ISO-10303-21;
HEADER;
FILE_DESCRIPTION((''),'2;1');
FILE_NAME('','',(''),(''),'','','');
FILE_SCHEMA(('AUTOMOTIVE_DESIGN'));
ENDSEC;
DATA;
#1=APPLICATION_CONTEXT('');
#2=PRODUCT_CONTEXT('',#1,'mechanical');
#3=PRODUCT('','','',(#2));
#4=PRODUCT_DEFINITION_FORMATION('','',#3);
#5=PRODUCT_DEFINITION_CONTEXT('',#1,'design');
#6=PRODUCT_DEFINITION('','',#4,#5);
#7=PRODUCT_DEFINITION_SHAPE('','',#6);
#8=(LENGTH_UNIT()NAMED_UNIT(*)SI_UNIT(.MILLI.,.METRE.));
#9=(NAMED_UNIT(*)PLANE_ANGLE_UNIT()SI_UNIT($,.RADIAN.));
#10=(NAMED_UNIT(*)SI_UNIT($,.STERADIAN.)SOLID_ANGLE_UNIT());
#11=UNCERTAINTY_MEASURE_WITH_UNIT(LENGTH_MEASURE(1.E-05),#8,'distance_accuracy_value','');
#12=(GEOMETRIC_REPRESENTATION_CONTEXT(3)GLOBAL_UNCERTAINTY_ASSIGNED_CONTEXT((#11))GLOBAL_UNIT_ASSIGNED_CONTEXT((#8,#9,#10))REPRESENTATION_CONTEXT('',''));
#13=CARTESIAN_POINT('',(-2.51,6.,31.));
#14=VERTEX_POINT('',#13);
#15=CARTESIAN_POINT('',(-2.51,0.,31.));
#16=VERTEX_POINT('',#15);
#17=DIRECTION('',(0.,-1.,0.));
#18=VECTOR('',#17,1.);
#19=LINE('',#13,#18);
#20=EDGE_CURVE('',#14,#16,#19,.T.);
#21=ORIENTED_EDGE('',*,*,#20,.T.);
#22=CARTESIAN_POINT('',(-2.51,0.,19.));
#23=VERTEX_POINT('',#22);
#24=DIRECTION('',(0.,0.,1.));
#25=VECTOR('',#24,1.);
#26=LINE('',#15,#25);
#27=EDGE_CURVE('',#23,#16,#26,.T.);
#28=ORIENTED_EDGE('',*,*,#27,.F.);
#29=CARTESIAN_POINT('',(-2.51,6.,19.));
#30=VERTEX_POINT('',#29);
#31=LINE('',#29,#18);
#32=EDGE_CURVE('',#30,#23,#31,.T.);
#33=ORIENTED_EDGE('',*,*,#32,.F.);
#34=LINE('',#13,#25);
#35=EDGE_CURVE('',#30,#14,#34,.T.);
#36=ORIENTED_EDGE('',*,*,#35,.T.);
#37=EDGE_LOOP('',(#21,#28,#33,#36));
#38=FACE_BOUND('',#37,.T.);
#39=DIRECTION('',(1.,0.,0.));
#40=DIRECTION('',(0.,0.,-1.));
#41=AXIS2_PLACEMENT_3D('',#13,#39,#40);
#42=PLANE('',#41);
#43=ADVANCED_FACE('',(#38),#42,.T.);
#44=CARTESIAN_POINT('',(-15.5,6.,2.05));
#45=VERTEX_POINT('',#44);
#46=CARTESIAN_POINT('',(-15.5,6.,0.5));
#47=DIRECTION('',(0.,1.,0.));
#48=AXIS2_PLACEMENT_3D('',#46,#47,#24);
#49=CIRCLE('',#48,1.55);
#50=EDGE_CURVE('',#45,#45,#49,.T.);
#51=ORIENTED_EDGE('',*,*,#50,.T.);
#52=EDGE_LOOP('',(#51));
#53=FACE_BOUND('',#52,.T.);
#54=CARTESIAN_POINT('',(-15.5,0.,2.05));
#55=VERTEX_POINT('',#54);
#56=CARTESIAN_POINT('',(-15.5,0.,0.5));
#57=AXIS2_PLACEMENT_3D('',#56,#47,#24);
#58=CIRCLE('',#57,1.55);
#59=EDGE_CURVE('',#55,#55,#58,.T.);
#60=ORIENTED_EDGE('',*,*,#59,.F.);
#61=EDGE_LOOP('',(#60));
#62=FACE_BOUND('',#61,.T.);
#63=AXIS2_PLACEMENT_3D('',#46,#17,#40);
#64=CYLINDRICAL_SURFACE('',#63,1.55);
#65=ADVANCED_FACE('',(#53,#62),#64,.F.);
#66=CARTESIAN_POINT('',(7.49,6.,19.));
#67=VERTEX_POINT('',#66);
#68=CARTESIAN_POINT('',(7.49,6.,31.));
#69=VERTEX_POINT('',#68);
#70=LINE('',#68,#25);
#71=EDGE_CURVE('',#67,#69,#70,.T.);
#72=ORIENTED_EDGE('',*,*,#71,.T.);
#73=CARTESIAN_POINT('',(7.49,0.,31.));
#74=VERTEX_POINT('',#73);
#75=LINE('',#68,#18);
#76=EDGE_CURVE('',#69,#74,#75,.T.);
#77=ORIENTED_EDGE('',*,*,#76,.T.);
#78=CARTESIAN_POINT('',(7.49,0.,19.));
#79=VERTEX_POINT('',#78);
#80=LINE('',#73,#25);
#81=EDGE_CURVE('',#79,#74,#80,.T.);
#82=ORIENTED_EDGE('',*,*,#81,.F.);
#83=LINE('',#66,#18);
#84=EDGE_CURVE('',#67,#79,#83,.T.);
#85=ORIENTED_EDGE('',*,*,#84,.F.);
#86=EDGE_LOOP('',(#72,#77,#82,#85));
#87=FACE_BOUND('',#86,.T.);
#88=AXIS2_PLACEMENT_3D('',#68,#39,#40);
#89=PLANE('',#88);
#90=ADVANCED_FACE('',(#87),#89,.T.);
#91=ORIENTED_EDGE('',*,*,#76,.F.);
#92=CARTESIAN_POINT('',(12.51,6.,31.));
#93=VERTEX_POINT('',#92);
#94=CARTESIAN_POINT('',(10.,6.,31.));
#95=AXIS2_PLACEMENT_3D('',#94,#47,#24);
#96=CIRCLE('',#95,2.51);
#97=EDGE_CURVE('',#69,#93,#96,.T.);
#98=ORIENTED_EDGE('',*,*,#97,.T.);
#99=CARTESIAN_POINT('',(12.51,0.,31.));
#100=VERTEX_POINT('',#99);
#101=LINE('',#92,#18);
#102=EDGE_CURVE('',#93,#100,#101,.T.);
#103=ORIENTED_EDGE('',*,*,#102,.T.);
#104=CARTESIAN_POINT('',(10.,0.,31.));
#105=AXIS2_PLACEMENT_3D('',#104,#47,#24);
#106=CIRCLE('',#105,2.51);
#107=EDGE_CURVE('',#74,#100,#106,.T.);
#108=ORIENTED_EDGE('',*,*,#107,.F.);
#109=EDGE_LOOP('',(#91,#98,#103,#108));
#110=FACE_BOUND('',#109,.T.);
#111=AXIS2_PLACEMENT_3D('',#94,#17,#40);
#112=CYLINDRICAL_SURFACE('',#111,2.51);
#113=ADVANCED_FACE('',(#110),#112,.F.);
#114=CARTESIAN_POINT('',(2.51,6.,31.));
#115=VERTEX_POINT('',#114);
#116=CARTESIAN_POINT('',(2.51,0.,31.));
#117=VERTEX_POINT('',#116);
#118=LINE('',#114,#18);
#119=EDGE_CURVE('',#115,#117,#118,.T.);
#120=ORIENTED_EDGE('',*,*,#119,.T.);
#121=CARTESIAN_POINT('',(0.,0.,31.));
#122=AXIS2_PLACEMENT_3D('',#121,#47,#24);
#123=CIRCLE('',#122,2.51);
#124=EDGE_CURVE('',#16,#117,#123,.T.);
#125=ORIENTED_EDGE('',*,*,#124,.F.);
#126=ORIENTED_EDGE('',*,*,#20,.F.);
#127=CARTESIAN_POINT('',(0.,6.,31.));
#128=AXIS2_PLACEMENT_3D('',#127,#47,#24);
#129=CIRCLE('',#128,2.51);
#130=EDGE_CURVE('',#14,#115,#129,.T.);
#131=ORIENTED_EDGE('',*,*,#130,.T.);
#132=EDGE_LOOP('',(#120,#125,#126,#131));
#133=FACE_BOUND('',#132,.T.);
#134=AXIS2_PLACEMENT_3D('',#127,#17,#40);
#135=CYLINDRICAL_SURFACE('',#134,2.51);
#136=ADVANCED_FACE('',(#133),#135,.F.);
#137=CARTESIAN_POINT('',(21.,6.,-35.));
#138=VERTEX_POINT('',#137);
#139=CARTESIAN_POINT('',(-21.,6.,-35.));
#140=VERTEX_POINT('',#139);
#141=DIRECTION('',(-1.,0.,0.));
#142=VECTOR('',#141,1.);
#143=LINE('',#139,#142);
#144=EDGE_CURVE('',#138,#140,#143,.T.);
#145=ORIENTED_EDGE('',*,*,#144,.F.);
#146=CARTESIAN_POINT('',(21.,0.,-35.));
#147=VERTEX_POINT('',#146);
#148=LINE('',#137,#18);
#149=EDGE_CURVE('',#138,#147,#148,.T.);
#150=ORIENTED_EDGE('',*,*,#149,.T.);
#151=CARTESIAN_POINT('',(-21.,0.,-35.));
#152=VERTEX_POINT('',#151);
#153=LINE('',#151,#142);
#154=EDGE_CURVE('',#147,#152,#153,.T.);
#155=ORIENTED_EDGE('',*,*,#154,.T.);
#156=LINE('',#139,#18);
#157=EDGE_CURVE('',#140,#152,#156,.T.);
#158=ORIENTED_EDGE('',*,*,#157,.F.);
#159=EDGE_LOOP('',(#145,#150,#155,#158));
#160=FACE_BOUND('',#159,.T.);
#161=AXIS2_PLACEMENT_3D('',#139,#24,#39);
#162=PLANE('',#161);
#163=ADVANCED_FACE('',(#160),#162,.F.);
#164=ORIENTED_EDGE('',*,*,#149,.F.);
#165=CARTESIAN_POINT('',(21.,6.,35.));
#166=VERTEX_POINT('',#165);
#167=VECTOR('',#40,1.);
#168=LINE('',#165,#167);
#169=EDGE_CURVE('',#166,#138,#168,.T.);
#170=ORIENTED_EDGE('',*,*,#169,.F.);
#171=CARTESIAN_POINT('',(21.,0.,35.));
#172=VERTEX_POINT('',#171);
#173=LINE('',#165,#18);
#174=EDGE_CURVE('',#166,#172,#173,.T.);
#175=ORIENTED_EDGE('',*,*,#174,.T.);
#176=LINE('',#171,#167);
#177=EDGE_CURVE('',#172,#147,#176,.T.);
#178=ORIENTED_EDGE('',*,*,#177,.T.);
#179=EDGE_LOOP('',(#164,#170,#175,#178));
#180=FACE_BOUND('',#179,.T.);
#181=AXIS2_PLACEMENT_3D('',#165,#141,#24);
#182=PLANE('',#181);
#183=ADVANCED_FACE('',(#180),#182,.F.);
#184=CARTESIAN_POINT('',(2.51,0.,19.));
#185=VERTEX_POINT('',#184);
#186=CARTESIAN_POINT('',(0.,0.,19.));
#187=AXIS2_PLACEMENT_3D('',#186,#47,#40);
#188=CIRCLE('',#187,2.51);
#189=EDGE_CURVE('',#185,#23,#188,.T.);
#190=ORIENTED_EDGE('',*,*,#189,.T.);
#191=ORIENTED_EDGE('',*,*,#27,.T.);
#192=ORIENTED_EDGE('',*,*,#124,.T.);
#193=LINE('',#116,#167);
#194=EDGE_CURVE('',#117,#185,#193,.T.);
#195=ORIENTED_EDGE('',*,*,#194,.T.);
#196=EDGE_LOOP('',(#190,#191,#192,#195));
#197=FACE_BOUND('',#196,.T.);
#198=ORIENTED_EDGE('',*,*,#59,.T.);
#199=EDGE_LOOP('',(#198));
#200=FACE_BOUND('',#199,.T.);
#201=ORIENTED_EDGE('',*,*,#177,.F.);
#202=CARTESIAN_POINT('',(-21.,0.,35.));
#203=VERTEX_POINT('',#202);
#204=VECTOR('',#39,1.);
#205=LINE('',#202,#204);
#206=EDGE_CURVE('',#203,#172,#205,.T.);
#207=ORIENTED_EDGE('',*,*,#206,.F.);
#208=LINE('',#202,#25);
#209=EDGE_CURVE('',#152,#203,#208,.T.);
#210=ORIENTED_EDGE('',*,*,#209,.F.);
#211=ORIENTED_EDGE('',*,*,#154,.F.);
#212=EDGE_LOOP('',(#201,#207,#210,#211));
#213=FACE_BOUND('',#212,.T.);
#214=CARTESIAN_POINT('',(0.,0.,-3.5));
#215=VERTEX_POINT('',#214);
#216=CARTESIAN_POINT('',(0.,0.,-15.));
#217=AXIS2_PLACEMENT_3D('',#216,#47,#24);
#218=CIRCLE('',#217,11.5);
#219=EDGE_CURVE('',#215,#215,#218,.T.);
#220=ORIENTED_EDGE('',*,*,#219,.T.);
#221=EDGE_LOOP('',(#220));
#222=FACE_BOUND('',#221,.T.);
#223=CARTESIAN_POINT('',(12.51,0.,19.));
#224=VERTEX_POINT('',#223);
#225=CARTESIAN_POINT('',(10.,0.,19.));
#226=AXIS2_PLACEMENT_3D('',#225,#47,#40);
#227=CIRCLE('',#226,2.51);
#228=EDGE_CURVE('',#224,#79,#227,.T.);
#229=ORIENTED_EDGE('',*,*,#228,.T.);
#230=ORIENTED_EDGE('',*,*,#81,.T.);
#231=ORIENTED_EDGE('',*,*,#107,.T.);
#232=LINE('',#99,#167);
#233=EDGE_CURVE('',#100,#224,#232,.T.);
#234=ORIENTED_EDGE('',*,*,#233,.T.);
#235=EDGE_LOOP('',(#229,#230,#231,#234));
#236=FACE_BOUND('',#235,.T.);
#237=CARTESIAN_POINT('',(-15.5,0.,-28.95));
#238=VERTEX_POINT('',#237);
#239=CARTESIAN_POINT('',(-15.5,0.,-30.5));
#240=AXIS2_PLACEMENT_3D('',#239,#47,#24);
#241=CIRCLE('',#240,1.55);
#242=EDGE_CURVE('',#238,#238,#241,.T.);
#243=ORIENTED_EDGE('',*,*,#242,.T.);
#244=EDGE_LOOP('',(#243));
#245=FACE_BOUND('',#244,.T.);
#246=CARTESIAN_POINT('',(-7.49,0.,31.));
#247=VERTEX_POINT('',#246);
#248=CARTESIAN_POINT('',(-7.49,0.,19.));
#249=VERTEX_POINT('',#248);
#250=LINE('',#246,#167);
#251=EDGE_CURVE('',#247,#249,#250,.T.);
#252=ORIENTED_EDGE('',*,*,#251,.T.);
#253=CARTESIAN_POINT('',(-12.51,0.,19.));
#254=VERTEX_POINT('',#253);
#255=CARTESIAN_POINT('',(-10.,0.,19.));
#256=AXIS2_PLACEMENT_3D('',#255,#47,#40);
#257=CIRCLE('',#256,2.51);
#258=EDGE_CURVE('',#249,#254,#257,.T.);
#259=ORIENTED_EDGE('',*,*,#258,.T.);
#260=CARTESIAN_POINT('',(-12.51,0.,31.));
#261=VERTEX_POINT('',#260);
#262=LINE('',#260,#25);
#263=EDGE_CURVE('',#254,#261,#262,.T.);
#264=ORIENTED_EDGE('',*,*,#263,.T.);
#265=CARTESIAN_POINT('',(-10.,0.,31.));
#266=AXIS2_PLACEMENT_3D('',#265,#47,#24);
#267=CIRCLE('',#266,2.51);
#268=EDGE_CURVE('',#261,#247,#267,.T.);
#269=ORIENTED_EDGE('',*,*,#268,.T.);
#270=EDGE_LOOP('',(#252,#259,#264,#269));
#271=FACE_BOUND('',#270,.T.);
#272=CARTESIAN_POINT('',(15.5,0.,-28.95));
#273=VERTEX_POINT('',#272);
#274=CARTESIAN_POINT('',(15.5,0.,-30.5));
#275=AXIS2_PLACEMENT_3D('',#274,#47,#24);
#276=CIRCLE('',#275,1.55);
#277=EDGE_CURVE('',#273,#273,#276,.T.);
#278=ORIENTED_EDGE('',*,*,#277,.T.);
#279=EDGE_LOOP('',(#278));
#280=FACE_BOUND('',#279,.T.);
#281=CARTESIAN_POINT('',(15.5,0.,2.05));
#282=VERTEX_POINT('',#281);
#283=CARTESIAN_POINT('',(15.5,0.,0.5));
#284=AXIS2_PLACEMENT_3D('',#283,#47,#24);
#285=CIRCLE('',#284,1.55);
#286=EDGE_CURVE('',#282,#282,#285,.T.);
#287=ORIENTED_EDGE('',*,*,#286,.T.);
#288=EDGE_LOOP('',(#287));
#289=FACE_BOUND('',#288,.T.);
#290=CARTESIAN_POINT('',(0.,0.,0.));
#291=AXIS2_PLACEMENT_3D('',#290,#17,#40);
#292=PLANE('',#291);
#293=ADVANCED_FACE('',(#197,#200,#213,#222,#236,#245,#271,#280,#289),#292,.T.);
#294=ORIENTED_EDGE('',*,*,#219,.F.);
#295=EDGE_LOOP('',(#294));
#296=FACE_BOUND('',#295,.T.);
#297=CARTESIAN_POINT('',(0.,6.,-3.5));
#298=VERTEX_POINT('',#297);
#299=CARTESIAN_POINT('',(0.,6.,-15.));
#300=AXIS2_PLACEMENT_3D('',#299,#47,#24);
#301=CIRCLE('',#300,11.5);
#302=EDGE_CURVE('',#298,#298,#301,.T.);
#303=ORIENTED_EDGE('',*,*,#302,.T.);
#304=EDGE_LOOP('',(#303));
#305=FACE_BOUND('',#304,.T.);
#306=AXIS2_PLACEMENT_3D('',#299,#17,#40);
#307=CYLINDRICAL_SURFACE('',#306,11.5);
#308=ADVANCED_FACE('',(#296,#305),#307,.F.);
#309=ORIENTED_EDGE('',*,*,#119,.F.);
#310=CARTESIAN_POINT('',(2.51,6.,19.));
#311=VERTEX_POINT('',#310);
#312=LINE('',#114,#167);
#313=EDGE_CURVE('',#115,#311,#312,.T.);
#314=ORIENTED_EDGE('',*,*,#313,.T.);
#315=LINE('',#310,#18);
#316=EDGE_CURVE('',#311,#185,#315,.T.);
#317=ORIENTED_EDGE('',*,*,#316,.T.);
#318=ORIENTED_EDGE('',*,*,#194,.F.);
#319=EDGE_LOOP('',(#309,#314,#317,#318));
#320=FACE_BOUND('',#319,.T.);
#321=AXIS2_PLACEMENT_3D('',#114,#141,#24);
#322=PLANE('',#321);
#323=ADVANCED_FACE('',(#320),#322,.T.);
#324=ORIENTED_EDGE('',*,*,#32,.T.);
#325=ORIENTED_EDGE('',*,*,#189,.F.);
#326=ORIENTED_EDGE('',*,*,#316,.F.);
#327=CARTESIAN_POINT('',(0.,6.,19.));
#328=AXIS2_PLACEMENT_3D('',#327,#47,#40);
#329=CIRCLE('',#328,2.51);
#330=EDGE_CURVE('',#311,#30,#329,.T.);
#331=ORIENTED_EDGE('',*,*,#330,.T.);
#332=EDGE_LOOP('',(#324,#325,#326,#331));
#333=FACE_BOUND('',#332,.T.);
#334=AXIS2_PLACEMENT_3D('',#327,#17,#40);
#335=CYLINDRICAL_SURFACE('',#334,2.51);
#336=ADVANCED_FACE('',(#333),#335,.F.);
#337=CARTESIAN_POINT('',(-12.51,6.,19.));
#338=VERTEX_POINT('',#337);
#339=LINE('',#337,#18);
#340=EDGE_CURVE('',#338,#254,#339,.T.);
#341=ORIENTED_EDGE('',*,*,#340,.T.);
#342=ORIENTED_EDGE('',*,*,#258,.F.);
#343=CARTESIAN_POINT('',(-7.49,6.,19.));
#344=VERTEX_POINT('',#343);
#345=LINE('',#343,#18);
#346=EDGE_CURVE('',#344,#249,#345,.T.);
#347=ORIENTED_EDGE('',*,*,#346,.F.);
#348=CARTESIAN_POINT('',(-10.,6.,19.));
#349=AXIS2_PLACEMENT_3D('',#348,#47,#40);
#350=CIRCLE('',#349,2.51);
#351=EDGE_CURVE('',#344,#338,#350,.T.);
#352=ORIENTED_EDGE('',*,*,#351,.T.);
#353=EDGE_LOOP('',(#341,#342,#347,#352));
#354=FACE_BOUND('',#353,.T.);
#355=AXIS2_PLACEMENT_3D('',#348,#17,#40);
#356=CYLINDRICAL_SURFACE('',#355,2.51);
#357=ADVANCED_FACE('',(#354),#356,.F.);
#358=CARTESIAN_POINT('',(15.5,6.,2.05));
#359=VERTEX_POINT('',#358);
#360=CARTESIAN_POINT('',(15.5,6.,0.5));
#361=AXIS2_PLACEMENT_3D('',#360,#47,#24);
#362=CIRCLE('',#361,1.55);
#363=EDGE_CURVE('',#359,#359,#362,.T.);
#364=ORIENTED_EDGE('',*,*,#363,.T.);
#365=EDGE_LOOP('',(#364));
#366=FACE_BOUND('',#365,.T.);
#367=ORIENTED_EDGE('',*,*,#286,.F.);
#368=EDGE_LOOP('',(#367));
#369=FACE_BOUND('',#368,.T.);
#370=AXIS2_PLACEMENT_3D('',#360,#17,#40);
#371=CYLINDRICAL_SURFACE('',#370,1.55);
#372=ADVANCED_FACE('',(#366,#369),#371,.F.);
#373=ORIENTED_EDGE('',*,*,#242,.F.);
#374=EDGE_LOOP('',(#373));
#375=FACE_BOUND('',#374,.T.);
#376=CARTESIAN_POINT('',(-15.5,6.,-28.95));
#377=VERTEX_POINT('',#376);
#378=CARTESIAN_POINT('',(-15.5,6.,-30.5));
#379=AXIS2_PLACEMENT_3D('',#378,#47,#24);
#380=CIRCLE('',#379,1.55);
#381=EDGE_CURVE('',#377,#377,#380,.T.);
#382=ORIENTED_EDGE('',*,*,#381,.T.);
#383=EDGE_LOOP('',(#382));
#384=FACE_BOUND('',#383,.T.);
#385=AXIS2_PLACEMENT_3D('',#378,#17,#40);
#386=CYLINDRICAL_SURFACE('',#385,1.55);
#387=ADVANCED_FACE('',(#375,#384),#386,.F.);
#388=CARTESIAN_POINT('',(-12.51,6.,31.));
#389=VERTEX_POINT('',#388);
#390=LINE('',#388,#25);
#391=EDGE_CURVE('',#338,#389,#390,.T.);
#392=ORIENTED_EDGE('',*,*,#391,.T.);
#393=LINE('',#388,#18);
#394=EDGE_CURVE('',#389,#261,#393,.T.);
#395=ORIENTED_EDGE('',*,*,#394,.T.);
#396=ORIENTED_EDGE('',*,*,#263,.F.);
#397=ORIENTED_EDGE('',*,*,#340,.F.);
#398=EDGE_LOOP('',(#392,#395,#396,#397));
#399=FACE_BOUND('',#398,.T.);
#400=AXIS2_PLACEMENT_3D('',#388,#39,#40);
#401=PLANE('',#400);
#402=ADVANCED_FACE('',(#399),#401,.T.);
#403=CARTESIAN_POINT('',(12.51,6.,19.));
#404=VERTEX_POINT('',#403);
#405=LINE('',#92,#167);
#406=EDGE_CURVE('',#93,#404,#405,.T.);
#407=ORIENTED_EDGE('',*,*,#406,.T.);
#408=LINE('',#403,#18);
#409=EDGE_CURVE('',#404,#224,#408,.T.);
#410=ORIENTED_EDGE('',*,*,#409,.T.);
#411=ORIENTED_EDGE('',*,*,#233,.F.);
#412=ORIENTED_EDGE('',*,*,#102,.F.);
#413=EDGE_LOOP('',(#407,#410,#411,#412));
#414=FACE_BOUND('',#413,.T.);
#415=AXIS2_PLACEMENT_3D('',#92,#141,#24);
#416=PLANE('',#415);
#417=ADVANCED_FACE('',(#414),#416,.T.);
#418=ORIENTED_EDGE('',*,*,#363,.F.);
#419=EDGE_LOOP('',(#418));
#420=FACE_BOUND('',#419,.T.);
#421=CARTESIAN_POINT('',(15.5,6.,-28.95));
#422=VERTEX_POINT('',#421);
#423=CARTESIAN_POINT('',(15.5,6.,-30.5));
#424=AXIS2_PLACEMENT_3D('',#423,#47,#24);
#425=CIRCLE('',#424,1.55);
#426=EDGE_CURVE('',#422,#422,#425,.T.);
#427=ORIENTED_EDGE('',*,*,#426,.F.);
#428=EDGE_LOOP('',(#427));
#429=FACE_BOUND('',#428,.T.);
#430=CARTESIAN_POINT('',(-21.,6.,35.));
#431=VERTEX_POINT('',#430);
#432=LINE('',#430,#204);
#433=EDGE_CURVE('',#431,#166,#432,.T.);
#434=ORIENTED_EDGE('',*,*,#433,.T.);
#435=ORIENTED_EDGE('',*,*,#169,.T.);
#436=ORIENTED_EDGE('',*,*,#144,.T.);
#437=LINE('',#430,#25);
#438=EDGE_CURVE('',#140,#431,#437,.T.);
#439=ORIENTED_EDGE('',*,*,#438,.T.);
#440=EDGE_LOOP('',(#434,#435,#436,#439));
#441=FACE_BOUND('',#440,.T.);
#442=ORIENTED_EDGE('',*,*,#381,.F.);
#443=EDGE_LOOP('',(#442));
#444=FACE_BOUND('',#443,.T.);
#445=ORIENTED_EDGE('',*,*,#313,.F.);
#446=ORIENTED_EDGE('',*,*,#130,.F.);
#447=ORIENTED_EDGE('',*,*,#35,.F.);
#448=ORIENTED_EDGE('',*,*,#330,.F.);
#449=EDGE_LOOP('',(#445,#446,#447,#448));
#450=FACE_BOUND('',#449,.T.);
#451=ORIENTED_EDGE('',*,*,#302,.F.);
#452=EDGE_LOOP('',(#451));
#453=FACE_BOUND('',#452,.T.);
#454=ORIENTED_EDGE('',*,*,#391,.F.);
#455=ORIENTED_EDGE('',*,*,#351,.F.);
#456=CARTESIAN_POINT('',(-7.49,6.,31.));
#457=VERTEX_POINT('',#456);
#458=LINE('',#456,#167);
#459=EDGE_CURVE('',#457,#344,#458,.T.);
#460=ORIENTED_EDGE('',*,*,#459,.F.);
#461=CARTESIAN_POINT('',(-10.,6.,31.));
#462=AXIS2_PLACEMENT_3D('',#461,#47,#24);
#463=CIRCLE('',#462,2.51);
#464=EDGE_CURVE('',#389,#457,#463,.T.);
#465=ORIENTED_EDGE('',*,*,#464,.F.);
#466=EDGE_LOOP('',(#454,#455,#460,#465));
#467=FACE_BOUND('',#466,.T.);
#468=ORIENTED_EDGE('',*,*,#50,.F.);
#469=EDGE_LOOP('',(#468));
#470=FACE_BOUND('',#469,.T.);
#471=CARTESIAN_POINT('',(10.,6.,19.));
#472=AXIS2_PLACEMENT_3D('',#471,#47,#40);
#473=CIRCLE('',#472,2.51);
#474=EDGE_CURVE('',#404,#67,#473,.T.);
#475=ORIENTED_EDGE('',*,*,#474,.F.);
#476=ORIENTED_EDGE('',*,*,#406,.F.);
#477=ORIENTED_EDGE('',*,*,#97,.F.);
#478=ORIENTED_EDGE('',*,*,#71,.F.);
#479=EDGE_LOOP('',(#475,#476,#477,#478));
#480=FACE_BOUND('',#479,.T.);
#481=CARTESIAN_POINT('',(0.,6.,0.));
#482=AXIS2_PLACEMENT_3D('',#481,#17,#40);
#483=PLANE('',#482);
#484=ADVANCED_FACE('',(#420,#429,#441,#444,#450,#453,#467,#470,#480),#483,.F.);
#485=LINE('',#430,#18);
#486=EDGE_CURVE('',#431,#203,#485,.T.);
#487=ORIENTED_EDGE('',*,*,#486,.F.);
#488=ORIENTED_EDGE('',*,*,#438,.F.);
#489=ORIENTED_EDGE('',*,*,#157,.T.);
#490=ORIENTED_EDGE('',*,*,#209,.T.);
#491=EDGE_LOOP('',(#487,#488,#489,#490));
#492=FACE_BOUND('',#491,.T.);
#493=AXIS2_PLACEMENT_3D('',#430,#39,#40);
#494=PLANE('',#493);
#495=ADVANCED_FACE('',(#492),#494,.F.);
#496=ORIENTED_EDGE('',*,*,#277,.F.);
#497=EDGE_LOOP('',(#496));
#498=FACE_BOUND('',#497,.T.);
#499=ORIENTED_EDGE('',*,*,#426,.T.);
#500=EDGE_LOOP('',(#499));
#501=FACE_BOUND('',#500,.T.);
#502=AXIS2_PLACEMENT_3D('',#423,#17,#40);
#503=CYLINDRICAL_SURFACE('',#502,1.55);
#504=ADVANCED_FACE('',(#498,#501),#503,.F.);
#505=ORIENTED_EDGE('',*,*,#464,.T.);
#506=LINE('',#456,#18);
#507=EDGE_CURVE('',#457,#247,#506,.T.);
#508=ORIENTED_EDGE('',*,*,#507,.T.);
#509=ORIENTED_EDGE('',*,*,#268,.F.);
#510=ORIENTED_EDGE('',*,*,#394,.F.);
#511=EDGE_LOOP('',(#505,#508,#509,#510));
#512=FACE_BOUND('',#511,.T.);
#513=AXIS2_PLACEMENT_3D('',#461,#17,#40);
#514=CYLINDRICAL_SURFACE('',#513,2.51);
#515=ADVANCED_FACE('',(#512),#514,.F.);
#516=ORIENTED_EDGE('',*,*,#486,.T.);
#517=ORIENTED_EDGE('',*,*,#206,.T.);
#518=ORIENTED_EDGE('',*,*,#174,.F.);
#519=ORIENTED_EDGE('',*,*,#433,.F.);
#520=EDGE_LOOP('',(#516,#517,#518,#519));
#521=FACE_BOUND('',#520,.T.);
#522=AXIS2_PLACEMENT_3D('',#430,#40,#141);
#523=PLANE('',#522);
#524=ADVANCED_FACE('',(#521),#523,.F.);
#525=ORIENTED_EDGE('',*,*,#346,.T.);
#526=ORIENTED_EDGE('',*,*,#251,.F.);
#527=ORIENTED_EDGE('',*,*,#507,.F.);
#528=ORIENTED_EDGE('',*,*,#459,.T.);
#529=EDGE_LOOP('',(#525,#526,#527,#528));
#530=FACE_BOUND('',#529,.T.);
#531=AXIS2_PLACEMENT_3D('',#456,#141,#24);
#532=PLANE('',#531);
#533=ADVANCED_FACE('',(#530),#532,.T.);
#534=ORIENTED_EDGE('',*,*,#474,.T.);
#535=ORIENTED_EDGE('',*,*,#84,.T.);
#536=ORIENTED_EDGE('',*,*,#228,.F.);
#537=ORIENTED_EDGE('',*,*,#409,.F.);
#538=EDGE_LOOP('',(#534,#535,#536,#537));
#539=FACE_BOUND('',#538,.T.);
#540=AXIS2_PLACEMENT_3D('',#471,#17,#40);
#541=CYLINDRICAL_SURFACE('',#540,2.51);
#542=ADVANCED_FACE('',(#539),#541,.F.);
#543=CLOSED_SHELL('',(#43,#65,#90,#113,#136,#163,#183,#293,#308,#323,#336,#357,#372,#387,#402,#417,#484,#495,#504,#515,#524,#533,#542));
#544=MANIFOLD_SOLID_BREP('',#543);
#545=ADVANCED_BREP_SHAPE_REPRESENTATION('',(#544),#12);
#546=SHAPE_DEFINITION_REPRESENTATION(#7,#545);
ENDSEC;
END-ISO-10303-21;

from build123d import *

# Parameters (mm, degrees)
SKETCH1_W           = 42
SKETCH1_H           = 70
SKETCH1_R           = 11.5
SKETCH1_R_2         = 1.55
BOSS_EXTRUDE1_DEPTH = 6


with BuildPart() as part:
    # Sketch1 → Boss-Extrude1 (new body)
    with BuildSketch(Plane(origin=(0, 0, 0), x_dir=(1, 0, 0), z_dir=(0, 1, 0))):
        Rectangle(SKETCH1_W, SKETCH1_H)
        with Locations((0, 15)):
            Circle(SKETCH1_R, mode=Mode.SUBTRACT)
        with Locations((-15.5, 30.5)):
            Circle(SKETCH1_R_2, mode=Mode.SUBTRACT)
        with Locations((15.5, 30.5)):
            Circle(SKETCH1_R_2, mode=Mode.SUBTRACT)
        with Locations((15.5, -0.5)):
            Circle(SKETCH1_R_2, mode=Mode.SUBTRACT)
        with Locations((-15.5, -0.5)):
            Circle(SKETCH1_R_2, mode=Mode.SUBTRACT)
        with BuildLine():
            Line((-7.49, -31), (-7.49, -19))
            ThreePointArc((-7.49, -19), (-10, -16.49), (-12.51, -19))
            Line((-12.51, -19), (-12.51, -31))
            ThreePointArc((-12.51, -31), (-10, -33.51), (-7.49, -31))
        make_face(mode=Mode.SUBTRACT)
        with BuildLine():
            Line((-2.51, -31), (-2.51, -19))
            ThreePointArc((-2.51, -19), (0, -16.49), (2.51, -19))
            Line((2.51, -19), (2.51, -31))
            ThreePointArc((2.51, -31), (0, -33.51), (-2.51, -31))
        make_face(mode=Mode.SUBTRACT)
        with BuildLine():
            Line((7.49, -31), (7.49, -19))
            ThreePointArc((7.49, -19), (10, -16.49), (12.51, -19))
            Line((12.51, -19), (12.51, -31))
            ThreePointArc((12.51, -31), (10, -33.51), (7.49, -31))
        make_face(mode=Mode.SUBTRACT)
    extrude(amount=BOSS_EXTRUDE1_DEPTH)


solid = part.part
